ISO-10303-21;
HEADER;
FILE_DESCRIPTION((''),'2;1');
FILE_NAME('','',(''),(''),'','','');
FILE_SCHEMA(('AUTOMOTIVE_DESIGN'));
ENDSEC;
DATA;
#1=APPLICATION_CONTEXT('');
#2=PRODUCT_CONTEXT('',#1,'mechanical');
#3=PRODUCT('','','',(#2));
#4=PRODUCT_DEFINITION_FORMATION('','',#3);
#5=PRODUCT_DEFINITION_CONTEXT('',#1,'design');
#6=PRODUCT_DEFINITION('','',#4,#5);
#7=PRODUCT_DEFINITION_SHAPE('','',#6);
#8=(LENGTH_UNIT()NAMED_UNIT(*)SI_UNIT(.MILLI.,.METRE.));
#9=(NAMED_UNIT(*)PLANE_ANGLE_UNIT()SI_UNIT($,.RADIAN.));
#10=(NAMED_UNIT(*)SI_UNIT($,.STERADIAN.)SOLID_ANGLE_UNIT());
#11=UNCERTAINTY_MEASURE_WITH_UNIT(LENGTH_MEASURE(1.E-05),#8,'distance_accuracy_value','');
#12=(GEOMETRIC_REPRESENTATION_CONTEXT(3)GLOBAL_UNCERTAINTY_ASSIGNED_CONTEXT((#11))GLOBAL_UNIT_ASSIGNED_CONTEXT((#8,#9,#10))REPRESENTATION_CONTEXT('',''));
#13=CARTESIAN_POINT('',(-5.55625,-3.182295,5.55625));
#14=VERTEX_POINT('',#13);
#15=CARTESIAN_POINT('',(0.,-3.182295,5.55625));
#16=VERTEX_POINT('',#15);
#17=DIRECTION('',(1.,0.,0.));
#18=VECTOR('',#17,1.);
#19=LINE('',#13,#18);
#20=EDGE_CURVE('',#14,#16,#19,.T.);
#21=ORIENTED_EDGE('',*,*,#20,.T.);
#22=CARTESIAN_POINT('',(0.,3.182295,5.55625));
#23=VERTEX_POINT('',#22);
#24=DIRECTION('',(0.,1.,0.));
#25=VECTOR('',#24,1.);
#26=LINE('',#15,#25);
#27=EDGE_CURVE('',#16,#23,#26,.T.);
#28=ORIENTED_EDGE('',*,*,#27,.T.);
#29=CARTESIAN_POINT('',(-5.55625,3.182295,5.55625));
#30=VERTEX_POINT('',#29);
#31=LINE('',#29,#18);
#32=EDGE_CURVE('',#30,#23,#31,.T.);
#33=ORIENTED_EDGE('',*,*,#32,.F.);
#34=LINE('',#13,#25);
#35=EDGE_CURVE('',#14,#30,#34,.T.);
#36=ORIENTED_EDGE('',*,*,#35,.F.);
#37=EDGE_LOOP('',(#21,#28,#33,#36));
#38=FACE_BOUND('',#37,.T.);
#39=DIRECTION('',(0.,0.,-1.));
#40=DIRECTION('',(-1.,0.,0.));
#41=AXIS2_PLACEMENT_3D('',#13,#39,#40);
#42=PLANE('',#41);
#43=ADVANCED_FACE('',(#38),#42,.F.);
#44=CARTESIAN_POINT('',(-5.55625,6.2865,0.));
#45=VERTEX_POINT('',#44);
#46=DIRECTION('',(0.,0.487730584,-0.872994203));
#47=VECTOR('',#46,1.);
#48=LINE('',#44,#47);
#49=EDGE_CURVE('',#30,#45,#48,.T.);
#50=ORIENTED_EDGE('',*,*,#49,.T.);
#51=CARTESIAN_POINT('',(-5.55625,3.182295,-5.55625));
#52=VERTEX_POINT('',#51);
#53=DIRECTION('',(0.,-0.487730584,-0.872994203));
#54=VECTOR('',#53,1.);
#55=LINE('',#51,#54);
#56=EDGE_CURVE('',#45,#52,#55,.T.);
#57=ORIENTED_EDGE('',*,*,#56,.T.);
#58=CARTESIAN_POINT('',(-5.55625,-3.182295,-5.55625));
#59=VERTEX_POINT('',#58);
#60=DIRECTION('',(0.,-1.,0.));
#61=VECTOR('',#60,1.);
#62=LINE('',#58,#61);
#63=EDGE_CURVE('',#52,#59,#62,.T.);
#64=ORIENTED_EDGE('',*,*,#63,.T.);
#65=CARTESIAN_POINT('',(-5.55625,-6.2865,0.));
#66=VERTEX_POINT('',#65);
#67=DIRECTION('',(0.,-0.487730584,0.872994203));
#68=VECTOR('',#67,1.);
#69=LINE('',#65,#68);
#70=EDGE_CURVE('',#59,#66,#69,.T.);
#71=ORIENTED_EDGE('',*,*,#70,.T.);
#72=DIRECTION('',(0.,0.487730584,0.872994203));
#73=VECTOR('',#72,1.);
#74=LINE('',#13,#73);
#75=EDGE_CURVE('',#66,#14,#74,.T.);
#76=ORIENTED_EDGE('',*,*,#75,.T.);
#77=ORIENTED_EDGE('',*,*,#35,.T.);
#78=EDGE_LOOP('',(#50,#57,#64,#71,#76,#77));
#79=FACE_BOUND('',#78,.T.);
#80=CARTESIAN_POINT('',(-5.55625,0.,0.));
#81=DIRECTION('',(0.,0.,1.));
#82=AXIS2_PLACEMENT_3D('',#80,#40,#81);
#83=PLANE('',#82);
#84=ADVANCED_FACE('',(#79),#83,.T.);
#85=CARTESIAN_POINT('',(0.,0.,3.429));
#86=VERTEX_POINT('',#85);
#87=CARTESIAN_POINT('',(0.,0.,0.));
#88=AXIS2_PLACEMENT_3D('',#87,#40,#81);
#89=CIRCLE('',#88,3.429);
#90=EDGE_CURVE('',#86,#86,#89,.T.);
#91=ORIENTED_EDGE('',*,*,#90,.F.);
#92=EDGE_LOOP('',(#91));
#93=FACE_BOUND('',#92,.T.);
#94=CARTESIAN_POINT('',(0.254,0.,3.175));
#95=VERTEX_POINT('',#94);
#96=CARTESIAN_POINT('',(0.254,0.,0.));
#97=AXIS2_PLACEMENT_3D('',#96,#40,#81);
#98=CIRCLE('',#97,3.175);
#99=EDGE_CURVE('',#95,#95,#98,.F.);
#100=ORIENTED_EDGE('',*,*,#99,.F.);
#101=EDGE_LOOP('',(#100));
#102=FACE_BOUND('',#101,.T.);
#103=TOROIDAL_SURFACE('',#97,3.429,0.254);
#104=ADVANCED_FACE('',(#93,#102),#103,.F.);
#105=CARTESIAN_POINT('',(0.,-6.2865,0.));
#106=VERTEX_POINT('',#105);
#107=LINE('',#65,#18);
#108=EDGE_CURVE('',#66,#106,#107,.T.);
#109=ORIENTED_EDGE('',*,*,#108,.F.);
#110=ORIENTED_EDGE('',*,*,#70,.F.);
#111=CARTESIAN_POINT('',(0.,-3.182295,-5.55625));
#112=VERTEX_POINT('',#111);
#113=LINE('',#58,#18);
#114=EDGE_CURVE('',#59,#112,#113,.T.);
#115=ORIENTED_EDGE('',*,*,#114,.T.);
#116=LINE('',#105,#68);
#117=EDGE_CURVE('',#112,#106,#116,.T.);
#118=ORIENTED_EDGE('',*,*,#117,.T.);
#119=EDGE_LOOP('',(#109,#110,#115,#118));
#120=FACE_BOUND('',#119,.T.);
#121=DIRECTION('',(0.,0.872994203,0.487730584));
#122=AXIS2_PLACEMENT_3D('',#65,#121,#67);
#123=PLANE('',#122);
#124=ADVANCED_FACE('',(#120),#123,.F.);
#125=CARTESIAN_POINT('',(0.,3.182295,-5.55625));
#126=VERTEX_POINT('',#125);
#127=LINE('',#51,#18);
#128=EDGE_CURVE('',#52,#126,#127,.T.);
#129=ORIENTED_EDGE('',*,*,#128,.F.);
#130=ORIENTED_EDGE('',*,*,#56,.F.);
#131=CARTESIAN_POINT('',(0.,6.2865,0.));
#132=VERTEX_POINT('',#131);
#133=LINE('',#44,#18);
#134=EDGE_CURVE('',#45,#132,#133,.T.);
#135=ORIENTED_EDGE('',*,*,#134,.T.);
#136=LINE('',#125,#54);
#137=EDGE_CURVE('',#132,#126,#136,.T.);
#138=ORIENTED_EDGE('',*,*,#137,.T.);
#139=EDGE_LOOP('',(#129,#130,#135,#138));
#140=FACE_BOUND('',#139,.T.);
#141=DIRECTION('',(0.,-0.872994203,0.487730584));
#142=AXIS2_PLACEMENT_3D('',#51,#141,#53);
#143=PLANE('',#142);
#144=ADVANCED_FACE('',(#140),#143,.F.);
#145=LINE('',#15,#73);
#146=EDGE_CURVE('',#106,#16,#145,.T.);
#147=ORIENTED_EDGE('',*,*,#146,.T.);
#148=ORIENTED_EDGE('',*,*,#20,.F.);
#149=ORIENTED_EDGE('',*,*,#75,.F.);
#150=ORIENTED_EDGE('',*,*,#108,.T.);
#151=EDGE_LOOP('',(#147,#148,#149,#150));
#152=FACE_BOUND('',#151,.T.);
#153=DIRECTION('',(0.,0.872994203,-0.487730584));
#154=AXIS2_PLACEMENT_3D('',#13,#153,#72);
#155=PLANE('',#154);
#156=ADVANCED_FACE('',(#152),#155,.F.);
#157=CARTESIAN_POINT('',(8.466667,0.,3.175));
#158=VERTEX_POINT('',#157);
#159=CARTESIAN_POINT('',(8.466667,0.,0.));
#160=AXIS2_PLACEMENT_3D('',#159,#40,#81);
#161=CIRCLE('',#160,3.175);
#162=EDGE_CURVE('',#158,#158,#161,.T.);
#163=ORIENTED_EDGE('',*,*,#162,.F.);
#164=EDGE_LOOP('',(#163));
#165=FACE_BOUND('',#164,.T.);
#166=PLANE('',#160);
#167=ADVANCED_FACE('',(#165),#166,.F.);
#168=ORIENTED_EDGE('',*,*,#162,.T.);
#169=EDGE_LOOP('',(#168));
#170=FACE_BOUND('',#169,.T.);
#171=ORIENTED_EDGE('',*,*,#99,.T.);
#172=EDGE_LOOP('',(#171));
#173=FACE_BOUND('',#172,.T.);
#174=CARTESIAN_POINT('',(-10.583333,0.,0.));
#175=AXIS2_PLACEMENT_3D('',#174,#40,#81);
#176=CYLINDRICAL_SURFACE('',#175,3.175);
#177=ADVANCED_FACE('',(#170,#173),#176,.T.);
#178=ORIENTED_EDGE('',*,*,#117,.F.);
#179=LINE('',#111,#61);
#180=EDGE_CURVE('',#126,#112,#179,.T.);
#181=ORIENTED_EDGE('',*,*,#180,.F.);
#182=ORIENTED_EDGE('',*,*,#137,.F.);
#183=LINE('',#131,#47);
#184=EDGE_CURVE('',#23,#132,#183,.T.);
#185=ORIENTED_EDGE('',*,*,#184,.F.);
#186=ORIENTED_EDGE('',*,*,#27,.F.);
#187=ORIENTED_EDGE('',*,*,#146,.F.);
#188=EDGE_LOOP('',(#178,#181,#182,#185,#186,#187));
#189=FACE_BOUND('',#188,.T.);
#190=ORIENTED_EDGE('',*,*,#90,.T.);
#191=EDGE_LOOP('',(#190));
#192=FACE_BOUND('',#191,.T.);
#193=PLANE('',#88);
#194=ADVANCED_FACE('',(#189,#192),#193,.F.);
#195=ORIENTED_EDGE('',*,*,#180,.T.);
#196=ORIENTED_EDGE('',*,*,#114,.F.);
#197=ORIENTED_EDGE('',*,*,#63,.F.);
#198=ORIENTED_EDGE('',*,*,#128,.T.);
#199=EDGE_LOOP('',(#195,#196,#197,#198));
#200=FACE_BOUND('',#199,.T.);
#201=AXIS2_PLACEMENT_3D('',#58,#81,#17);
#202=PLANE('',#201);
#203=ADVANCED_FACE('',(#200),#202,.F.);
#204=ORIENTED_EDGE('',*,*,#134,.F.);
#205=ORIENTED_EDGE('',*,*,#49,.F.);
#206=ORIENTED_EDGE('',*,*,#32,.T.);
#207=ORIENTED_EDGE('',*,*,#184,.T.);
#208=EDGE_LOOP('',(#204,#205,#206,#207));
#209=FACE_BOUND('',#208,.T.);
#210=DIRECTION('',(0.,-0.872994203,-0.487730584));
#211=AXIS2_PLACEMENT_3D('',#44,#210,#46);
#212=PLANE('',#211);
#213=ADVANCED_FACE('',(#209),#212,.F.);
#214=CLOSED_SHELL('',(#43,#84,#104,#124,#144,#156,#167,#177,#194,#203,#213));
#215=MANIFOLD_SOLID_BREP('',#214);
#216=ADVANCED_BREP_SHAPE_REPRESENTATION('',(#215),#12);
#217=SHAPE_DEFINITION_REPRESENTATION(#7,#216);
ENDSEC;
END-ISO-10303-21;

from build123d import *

# Parameters (mm, degrees)
SKETCH1_W           = 8.466666667
SKETCH1_H           = 3.175
BOSS_EXTRUDE1_DEPTH = 5.55625
FILLET1_R           = 0.254


with BuildPart() as part:
    # Sketch1 → Revolve1 (revolve)
    with BuildSketch(Plane.XY, mode=Mode.PRIVATE) as revolve1_sk:
        with Locations((4.233333334, 1.5875)):
            Rectangle(SKETCH1_W, SKETCH1_H)
    revolve(revolve1_sk.sketch.rotate(Axis((-10.583333333, 0, 0), (1, 0, 0)), 90), axis=Axis((-10.583333333, 0, 0), (1, 0, 0)))

    # Sketch2 → Boss-Extrude1 (add)
    with BuildSketch(Plane.ZY):
        Polygon((-5.55625, -3.182294901), (-5.55625, 3.182294901), (0, 6.2865), (5.55625, 3.182294901), (5.55625, -3.182294901), (0, -6.2865), align=None)
    extrude(amount=BOSS_EXTRUDE1_DEPTH)

    # Fillet1
    fillet1_edges = [part.edges().sort_by_distance(p)[0] for p in [
        (0, 0, -3.175),
    ]]
    fillet(fillet1_edges, radius=FILLET1_R)


solid = part.part
